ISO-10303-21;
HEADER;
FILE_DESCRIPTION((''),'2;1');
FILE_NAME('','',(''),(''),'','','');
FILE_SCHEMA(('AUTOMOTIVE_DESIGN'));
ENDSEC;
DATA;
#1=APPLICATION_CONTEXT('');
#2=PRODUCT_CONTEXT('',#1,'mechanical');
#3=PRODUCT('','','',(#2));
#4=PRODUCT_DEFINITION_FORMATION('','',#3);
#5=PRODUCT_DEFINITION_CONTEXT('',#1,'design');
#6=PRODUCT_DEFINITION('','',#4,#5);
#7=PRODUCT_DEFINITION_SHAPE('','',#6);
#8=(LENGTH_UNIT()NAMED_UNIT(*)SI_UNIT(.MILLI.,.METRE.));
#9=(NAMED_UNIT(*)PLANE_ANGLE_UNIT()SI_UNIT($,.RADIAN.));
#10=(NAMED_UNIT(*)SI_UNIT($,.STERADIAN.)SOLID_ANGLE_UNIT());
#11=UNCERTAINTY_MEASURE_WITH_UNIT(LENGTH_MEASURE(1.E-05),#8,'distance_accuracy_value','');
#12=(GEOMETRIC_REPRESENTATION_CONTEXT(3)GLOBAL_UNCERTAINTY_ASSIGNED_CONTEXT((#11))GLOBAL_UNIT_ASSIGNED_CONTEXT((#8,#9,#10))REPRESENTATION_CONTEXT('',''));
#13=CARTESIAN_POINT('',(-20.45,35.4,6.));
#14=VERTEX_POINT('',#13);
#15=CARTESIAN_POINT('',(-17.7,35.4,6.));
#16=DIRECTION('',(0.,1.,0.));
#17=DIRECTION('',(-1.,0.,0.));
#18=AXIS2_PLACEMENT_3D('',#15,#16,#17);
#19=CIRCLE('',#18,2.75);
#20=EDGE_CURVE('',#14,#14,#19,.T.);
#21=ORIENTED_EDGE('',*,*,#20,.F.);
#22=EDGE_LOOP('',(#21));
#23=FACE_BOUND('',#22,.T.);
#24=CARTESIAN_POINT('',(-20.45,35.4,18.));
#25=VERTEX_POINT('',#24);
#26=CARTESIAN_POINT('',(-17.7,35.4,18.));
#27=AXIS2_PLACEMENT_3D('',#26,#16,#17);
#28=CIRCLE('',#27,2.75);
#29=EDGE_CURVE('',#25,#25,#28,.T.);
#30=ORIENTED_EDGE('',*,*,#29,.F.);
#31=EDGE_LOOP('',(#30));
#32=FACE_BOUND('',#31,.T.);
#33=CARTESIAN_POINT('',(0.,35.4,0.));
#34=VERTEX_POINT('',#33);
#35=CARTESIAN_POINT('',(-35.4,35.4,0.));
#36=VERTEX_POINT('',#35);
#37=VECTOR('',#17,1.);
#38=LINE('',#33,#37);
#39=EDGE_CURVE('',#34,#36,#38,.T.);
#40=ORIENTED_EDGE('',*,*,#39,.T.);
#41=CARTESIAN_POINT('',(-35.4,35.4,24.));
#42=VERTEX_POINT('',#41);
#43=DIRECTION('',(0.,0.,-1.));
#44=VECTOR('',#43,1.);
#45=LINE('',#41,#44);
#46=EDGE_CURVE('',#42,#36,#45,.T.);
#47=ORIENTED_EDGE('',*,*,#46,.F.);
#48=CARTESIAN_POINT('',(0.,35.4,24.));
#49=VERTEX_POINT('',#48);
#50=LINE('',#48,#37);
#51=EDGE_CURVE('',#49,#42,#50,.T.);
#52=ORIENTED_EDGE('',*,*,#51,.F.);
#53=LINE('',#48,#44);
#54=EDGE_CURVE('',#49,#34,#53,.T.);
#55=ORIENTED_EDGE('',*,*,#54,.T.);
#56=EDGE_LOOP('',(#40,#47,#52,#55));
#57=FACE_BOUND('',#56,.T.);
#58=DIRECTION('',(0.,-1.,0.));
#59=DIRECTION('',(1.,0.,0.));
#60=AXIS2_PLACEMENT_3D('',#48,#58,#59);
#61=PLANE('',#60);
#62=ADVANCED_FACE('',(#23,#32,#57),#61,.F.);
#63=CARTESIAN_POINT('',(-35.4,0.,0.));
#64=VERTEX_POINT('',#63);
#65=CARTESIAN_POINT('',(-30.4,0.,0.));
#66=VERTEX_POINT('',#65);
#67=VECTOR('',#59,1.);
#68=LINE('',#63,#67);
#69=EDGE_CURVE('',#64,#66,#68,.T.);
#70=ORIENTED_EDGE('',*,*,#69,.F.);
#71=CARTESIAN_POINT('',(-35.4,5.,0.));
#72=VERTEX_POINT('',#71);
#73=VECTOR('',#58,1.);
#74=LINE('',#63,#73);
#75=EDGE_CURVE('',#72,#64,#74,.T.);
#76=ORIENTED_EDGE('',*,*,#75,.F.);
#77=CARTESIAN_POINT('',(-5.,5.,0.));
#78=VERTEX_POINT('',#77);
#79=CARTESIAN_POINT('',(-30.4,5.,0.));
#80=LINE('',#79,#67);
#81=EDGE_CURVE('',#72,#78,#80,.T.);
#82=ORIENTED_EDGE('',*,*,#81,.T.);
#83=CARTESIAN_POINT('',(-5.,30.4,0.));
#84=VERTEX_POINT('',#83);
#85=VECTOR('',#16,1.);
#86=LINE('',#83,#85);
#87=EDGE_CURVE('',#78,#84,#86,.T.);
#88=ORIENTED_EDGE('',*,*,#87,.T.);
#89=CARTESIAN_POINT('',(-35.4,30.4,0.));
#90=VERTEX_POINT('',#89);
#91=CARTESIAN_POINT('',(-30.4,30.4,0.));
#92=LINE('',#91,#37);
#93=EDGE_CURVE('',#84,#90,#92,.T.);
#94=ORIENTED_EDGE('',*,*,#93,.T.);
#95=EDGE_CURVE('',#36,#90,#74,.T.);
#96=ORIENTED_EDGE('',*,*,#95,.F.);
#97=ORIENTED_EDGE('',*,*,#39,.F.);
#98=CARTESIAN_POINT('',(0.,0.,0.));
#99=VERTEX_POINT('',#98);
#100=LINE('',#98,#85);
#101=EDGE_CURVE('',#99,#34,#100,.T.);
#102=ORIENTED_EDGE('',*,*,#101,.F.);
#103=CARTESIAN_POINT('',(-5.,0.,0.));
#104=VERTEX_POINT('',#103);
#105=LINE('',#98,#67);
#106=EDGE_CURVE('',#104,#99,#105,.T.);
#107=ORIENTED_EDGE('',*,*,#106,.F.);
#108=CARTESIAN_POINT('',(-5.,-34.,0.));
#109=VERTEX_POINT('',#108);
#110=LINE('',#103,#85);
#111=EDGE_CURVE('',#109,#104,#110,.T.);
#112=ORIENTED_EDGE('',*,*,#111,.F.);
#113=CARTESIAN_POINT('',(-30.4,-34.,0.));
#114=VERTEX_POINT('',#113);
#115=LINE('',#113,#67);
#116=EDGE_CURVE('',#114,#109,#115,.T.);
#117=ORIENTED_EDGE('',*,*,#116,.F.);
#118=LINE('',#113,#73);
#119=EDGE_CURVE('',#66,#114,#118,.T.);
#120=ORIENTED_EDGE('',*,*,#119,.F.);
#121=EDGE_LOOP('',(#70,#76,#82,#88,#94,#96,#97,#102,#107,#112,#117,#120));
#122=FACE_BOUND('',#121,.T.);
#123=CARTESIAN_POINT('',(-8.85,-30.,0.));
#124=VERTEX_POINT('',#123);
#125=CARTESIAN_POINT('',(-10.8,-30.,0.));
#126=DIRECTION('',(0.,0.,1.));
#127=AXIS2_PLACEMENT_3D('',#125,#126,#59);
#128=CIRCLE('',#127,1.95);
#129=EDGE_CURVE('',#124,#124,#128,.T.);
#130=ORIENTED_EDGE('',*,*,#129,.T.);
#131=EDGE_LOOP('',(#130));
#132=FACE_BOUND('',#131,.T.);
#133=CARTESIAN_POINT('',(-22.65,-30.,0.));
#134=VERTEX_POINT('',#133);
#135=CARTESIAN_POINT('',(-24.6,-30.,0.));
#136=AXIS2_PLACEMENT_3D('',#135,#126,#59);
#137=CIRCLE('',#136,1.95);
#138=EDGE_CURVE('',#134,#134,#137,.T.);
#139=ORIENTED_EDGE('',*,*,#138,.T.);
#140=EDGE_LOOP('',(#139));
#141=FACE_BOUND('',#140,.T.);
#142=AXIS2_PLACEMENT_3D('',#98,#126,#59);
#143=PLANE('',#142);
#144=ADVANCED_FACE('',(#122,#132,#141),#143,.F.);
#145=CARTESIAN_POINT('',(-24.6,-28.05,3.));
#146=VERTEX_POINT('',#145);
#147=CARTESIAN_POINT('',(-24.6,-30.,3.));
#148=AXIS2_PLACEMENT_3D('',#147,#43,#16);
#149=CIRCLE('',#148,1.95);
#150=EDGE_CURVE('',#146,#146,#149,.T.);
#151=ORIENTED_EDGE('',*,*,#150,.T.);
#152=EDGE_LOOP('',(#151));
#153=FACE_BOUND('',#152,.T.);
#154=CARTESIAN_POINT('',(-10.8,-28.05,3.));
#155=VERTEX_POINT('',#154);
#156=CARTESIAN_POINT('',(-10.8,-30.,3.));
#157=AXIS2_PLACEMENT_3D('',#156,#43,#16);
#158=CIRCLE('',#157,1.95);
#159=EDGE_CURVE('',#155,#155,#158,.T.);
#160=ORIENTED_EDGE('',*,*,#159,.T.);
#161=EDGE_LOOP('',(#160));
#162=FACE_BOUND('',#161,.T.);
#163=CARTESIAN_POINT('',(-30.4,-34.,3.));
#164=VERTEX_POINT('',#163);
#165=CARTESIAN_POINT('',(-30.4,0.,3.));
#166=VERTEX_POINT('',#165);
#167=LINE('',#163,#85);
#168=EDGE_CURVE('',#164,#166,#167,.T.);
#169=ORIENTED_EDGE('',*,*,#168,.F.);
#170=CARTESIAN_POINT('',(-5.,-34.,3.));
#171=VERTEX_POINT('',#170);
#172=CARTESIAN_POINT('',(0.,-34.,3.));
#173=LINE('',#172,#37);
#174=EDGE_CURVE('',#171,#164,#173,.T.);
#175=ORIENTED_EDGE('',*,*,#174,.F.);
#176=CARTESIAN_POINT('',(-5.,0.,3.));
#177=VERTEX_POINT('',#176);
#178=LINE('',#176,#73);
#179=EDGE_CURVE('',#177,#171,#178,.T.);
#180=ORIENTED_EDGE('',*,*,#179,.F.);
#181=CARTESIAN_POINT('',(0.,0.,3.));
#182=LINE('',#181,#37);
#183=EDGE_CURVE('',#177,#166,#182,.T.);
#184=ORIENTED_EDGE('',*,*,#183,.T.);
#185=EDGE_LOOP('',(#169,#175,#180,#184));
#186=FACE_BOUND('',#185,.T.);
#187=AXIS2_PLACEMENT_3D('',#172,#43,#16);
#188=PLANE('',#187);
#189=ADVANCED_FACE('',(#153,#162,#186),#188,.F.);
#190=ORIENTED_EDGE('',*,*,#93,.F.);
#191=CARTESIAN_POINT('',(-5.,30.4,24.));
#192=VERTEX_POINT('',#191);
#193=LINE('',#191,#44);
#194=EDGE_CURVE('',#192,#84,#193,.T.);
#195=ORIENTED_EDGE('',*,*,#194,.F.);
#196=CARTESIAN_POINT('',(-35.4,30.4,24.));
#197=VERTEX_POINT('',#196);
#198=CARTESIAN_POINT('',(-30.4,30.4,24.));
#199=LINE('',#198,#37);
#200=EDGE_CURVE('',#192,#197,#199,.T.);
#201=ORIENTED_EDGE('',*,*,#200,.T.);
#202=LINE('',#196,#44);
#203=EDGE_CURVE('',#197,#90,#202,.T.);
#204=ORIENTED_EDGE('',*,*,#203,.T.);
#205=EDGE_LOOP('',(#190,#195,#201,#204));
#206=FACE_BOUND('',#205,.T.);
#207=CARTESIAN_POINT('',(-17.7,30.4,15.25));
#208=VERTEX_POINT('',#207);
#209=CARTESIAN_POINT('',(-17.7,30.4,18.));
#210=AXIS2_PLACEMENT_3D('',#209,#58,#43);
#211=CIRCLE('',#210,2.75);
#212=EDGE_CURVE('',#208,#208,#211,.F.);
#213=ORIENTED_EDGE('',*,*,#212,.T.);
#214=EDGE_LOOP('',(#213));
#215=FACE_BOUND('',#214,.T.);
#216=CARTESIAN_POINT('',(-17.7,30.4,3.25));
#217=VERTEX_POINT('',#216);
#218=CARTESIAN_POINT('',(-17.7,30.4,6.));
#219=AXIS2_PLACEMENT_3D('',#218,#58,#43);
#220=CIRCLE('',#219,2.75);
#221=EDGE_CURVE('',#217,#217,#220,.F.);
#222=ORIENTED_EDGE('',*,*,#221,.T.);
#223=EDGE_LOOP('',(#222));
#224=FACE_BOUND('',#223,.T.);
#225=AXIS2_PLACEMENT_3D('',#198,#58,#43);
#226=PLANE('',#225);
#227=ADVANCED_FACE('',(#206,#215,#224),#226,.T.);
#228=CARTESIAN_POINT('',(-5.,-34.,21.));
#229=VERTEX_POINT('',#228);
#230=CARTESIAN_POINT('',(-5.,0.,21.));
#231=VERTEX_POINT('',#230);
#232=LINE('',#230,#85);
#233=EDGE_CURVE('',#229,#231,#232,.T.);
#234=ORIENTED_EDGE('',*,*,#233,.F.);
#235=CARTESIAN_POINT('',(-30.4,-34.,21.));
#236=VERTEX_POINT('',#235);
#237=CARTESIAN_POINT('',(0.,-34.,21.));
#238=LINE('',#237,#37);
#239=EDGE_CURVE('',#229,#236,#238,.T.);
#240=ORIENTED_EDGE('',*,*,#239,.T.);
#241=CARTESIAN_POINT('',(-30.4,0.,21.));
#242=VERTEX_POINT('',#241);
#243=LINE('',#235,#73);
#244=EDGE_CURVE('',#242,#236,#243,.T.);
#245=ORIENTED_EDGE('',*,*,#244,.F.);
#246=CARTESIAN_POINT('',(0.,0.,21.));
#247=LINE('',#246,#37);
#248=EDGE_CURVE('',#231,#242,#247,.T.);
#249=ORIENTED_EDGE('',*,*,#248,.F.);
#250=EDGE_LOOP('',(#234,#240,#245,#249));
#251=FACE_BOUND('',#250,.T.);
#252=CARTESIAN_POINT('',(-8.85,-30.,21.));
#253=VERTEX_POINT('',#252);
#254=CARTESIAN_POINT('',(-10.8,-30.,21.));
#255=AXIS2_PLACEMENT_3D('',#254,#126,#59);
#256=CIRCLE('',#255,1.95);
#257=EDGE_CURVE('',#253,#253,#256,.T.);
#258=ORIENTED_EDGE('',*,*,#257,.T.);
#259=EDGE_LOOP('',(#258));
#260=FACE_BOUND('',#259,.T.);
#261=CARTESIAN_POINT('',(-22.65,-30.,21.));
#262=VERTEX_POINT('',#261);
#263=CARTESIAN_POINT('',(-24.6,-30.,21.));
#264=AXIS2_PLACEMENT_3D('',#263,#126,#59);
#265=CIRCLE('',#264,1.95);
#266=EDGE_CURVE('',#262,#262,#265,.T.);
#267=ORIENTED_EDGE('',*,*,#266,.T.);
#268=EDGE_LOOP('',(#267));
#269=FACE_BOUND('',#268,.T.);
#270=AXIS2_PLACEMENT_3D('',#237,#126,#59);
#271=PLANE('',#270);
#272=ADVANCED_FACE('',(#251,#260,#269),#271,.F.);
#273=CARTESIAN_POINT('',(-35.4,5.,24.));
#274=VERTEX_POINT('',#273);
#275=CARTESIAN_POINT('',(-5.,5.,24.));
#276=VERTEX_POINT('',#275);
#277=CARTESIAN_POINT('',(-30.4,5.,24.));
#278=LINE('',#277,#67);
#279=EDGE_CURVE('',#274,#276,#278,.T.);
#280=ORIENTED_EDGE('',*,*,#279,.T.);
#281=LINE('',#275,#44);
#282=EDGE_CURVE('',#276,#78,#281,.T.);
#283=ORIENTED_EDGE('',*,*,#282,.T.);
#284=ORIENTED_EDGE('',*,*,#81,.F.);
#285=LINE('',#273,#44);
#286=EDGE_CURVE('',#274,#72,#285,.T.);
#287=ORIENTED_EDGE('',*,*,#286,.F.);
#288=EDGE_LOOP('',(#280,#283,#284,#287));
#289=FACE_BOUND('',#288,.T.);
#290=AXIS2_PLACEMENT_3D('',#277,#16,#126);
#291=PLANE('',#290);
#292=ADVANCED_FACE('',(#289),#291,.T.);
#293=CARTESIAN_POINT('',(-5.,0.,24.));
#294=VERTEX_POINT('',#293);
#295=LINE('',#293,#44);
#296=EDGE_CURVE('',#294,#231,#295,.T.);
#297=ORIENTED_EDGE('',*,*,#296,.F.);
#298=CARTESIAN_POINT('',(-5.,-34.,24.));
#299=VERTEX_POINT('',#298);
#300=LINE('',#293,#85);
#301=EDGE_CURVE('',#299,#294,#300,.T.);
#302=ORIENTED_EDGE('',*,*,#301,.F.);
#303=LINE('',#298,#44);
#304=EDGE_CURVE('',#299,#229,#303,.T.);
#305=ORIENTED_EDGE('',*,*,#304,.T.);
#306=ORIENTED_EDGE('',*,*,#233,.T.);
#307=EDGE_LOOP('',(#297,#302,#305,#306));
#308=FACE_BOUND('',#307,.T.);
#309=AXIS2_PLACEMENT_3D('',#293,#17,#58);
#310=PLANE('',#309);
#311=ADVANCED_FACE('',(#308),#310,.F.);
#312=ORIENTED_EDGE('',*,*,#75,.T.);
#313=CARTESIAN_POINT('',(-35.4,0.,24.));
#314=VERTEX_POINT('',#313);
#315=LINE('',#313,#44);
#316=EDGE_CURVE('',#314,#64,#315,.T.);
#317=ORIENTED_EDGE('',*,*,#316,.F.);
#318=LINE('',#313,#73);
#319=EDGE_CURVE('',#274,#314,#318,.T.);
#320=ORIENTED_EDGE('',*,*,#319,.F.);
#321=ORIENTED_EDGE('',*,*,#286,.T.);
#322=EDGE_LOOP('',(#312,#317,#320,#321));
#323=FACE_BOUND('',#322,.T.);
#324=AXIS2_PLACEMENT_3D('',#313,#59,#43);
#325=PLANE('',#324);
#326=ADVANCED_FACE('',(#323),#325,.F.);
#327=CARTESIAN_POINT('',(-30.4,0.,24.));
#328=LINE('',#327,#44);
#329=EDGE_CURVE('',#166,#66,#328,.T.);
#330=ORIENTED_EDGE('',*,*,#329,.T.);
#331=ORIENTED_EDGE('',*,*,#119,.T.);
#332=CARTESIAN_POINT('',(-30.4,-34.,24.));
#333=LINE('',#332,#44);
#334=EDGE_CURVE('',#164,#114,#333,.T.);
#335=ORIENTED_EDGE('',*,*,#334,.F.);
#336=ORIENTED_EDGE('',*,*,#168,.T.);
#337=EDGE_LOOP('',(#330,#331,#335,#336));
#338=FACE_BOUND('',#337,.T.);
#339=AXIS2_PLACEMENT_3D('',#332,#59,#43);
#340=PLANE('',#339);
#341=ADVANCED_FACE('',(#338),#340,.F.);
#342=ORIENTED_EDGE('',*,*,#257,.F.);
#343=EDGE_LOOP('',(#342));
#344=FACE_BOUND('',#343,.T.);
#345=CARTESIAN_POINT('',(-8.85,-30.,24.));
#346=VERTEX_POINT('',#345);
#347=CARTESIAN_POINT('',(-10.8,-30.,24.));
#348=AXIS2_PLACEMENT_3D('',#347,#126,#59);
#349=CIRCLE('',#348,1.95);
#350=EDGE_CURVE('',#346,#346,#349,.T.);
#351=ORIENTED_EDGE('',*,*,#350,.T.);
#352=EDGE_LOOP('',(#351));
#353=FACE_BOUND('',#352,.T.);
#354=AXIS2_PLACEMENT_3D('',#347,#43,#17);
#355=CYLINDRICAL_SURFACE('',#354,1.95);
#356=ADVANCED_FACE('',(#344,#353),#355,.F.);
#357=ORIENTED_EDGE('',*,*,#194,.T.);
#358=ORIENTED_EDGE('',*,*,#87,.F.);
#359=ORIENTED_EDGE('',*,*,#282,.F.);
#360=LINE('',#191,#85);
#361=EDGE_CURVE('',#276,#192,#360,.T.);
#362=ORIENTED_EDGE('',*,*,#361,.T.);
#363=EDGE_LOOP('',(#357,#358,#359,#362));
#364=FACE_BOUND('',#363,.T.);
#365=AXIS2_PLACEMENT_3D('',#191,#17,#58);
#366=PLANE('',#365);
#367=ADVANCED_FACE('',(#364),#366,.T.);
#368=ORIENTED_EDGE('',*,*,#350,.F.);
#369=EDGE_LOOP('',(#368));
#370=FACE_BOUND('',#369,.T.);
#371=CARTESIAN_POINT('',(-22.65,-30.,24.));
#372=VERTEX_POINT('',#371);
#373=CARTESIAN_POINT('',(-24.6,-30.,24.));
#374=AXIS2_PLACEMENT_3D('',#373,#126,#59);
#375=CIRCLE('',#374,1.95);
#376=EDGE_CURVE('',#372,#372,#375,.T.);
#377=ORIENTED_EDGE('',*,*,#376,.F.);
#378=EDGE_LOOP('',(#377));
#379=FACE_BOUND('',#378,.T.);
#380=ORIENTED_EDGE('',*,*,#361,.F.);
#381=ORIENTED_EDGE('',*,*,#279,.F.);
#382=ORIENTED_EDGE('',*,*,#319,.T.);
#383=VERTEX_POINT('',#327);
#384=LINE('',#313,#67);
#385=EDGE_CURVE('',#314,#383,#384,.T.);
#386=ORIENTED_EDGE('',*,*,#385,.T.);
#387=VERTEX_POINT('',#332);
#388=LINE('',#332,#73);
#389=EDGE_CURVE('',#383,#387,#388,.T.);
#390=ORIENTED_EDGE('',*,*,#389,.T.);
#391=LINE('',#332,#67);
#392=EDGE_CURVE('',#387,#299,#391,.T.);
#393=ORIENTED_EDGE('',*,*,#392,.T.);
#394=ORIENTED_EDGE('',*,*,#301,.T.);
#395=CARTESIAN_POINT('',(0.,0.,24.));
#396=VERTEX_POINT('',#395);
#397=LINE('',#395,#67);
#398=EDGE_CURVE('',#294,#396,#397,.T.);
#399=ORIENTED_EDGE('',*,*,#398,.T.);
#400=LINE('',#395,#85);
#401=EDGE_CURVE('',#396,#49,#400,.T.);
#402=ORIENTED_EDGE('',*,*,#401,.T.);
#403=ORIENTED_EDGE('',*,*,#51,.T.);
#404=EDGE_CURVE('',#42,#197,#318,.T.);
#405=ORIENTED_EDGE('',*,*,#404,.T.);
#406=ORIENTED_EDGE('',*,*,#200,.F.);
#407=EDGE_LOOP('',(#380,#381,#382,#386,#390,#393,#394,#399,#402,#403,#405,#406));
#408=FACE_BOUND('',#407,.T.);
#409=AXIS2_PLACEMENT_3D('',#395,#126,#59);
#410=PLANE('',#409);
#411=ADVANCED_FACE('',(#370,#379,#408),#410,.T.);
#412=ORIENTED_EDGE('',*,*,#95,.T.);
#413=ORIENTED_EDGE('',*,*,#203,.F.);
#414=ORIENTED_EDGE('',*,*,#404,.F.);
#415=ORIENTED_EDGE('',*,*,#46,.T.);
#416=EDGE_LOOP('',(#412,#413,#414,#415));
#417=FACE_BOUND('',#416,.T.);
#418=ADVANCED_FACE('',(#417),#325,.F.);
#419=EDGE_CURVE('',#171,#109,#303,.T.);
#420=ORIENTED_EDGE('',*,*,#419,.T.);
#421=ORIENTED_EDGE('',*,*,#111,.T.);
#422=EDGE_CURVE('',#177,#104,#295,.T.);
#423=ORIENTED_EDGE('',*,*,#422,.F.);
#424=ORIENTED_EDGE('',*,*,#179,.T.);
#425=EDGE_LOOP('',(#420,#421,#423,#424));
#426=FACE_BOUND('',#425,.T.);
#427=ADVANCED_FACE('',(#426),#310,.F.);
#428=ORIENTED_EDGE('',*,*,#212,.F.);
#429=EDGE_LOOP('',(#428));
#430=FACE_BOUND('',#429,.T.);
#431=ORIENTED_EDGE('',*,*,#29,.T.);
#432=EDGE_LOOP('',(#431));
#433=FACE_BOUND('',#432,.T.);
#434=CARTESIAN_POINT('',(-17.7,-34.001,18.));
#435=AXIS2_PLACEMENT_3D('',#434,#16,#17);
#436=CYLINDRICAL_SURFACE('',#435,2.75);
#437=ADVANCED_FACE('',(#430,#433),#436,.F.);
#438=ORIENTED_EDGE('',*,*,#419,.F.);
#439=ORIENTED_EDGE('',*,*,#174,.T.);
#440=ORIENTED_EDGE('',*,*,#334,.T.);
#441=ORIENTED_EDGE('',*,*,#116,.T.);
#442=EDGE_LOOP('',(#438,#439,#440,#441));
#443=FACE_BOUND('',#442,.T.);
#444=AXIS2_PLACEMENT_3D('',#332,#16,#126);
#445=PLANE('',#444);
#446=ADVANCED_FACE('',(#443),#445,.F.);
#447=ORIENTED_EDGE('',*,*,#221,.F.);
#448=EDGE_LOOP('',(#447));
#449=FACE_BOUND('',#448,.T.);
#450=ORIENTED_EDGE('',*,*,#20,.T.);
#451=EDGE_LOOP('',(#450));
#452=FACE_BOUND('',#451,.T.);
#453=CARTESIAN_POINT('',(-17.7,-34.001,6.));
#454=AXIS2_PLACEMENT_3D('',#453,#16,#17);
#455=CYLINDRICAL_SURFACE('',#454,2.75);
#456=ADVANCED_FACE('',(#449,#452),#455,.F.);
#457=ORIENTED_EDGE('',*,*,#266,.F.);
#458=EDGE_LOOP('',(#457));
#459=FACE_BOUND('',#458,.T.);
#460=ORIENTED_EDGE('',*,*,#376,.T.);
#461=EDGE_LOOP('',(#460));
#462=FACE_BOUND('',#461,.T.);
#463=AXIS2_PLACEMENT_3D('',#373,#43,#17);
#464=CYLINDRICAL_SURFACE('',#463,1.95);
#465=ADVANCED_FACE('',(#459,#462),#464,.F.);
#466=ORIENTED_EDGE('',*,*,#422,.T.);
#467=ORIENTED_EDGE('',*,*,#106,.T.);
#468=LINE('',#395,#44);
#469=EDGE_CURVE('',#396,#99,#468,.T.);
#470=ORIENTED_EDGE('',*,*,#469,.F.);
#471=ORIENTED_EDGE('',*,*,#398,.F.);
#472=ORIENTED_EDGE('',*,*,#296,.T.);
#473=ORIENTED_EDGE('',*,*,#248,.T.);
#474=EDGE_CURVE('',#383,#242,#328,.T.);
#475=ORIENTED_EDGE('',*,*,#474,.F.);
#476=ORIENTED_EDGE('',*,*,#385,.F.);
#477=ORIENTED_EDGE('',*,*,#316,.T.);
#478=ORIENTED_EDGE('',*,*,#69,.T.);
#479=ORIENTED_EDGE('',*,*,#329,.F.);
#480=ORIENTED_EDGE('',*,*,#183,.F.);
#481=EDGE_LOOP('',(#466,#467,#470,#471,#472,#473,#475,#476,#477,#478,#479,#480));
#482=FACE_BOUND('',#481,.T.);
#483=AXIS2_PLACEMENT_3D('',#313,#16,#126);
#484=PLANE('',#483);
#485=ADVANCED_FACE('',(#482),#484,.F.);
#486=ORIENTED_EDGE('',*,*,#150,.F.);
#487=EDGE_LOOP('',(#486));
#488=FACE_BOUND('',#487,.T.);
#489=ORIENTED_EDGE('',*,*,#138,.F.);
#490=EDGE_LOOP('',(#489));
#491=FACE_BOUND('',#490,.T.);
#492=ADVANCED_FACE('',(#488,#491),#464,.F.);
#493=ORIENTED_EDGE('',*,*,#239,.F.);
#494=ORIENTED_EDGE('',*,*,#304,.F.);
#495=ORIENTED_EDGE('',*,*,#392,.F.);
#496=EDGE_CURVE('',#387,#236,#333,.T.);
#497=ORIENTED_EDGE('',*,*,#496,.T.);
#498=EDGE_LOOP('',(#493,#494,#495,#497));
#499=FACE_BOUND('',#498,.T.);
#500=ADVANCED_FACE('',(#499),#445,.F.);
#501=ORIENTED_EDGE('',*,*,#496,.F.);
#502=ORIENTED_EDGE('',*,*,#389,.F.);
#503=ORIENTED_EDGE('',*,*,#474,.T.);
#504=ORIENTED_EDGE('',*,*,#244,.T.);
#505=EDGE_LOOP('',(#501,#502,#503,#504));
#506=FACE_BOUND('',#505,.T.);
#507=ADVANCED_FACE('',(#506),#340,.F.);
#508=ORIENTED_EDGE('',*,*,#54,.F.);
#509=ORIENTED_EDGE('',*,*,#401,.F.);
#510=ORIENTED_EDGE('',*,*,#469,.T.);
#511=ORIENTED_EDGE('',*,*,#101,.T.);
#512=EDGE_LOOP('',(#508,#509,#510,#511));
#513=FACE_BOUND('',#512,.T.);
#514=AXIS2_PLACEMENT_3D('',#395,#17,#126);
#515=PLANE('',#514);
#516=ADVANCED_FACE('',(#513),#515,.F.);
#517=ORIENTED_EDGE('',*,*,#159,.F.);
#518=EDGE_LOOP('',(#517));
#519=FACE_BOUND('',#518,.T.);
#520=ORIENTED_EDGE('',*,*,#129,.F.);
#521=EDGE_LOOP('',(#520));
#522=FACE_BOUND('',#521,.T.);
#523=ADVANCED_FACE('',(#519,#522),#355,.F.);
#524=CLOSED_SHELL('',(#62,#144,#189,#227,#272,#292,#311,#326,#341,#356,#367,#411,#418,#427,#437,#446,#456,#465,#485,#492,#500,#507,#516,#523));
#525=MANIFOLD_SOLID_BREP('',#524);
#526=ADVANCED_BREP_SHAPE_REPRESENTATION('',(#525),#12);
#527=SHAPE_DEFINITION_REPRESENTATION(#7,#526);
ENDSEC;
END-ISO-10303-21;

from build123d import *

# Parameters (mm, degrees)
SKETCH1_R           = 1.95
SKETCH1_W           = 25.4
SKETCH1_H           = 25.4
BOSS_EXTRUDE1_DEPTH = 24
SKETCH3_W           = 18
SKETCH3_H           = 34
CUT_EXTRUDE1_DEPTH  = 56.518645517
CUT_EXTRUDE2_REACH  = 83.52
SKETCH4_R           = 2.75
SKETCH5_W           = 5
SKETCH5_H           = 25.4
CUT_EXTRUDE3_DEPTH  = 56.518645517


with BuildPart() as part:
    # Sketch1 → Boss-Extrude1 (new body)
    with BuildSketch(Plane.XY):
        Polygon((0, 0), (0, 35.4), (-35.4, 35.4), (-35.4, 0), (-30.4, 0), (-30.4, -34), (-5, -34), (-5, 0), align=None)
        with Locations((-24.6, -30)):
            Circle(SKETCH1_R, mode=Mode.SUBTRACT)
        with Locations((-10.8, -30)):
            Circle(SKETCH1_R, mode=Mode.SUBTRACT)
        with Locations((-17.7, 17.7)):
            Rectangle(SKETCH1_W, SKETCH1_H, mode=Mode.SUBTRACT)
    extrude(amount=BOSS_EXTRUDE1_DEPTH)

    # Sketch3 → Cut-Extrude1 (cut, through all)
    with BuildSketch(Plane.ZY.offset(35.4)):
        with Locations((12, -17)):
            Rectangle(SKETCH3_W, SKETCH3_H)
    extrude(amount=-CUT_EXTRUDE1_DEPTH, mode=Mode.SUBTRACT)

    # Sketch4 → Cut-Extrude2 (cut, up to next)
    with BuildSketch(Plane(origin=(0, 35.4, 0), x_dir=(1, 0, 0), z_dir=(0, 1, 0)), mode=Mode.PRIVATE) as cut_extrude2_sk1:
        with Locations(Location((-17.7, -6, 0), (0, 0, 180))):
            Circle(SKETCH4_R)
    cut_extrude2_tool1 = extrude(cut_extrude2_sk1.sketch, amount=-CUT_EXTRUDE2_REACH, mode=Mode.PRIVATE) & part.part
    # Sketch4 → Cut-Extrude2 (cut, up to next)
    with BuildSketch(Plane(origin=(0, 35.4, 0), x_dir=(1, 0, 0), z_dir=(0, 1, 0)), mode=Mode.PRIVATE) as cut_extrude2_sk2:
        with Locations(Location((-17.7, -18, 0), (0, 0, 180))):
            Circle(SKETCH4_R)
    cut_extrude2_tool2 = extrude(cut_extrude2_sk2.sketch, amount=-CUT_EXTRUDE2_REACH, mode=Mode.PRIVATE) & part.part
    add(cut_extrude2_tool1.solids().sort_by_distance((-17.7, 35.4, 6))[0], mode=Mode.SUBTRACT)
    add(cut_extrude2_tool2.solids().sort_by_distance((-17.7, 35.4, 18))[0], mode=Mode.SUBTRACT)

    # Sketch5 → Cut-Extrude3 (cut, through all)
    with BuildSketch(Plane(origin=(0, 0, 0), x_dir=(-1, 0, 0), z_dir=(0, 0, -1))):
        with Locations((32.9, 17.7)):
            Rectangle(SKETCH5_W, SKETCH5_H)
    extrude(amount=-CUT_EXTRUDE3_DEPTH, mode=Mode.SUBTRACT)


solid = part.part
